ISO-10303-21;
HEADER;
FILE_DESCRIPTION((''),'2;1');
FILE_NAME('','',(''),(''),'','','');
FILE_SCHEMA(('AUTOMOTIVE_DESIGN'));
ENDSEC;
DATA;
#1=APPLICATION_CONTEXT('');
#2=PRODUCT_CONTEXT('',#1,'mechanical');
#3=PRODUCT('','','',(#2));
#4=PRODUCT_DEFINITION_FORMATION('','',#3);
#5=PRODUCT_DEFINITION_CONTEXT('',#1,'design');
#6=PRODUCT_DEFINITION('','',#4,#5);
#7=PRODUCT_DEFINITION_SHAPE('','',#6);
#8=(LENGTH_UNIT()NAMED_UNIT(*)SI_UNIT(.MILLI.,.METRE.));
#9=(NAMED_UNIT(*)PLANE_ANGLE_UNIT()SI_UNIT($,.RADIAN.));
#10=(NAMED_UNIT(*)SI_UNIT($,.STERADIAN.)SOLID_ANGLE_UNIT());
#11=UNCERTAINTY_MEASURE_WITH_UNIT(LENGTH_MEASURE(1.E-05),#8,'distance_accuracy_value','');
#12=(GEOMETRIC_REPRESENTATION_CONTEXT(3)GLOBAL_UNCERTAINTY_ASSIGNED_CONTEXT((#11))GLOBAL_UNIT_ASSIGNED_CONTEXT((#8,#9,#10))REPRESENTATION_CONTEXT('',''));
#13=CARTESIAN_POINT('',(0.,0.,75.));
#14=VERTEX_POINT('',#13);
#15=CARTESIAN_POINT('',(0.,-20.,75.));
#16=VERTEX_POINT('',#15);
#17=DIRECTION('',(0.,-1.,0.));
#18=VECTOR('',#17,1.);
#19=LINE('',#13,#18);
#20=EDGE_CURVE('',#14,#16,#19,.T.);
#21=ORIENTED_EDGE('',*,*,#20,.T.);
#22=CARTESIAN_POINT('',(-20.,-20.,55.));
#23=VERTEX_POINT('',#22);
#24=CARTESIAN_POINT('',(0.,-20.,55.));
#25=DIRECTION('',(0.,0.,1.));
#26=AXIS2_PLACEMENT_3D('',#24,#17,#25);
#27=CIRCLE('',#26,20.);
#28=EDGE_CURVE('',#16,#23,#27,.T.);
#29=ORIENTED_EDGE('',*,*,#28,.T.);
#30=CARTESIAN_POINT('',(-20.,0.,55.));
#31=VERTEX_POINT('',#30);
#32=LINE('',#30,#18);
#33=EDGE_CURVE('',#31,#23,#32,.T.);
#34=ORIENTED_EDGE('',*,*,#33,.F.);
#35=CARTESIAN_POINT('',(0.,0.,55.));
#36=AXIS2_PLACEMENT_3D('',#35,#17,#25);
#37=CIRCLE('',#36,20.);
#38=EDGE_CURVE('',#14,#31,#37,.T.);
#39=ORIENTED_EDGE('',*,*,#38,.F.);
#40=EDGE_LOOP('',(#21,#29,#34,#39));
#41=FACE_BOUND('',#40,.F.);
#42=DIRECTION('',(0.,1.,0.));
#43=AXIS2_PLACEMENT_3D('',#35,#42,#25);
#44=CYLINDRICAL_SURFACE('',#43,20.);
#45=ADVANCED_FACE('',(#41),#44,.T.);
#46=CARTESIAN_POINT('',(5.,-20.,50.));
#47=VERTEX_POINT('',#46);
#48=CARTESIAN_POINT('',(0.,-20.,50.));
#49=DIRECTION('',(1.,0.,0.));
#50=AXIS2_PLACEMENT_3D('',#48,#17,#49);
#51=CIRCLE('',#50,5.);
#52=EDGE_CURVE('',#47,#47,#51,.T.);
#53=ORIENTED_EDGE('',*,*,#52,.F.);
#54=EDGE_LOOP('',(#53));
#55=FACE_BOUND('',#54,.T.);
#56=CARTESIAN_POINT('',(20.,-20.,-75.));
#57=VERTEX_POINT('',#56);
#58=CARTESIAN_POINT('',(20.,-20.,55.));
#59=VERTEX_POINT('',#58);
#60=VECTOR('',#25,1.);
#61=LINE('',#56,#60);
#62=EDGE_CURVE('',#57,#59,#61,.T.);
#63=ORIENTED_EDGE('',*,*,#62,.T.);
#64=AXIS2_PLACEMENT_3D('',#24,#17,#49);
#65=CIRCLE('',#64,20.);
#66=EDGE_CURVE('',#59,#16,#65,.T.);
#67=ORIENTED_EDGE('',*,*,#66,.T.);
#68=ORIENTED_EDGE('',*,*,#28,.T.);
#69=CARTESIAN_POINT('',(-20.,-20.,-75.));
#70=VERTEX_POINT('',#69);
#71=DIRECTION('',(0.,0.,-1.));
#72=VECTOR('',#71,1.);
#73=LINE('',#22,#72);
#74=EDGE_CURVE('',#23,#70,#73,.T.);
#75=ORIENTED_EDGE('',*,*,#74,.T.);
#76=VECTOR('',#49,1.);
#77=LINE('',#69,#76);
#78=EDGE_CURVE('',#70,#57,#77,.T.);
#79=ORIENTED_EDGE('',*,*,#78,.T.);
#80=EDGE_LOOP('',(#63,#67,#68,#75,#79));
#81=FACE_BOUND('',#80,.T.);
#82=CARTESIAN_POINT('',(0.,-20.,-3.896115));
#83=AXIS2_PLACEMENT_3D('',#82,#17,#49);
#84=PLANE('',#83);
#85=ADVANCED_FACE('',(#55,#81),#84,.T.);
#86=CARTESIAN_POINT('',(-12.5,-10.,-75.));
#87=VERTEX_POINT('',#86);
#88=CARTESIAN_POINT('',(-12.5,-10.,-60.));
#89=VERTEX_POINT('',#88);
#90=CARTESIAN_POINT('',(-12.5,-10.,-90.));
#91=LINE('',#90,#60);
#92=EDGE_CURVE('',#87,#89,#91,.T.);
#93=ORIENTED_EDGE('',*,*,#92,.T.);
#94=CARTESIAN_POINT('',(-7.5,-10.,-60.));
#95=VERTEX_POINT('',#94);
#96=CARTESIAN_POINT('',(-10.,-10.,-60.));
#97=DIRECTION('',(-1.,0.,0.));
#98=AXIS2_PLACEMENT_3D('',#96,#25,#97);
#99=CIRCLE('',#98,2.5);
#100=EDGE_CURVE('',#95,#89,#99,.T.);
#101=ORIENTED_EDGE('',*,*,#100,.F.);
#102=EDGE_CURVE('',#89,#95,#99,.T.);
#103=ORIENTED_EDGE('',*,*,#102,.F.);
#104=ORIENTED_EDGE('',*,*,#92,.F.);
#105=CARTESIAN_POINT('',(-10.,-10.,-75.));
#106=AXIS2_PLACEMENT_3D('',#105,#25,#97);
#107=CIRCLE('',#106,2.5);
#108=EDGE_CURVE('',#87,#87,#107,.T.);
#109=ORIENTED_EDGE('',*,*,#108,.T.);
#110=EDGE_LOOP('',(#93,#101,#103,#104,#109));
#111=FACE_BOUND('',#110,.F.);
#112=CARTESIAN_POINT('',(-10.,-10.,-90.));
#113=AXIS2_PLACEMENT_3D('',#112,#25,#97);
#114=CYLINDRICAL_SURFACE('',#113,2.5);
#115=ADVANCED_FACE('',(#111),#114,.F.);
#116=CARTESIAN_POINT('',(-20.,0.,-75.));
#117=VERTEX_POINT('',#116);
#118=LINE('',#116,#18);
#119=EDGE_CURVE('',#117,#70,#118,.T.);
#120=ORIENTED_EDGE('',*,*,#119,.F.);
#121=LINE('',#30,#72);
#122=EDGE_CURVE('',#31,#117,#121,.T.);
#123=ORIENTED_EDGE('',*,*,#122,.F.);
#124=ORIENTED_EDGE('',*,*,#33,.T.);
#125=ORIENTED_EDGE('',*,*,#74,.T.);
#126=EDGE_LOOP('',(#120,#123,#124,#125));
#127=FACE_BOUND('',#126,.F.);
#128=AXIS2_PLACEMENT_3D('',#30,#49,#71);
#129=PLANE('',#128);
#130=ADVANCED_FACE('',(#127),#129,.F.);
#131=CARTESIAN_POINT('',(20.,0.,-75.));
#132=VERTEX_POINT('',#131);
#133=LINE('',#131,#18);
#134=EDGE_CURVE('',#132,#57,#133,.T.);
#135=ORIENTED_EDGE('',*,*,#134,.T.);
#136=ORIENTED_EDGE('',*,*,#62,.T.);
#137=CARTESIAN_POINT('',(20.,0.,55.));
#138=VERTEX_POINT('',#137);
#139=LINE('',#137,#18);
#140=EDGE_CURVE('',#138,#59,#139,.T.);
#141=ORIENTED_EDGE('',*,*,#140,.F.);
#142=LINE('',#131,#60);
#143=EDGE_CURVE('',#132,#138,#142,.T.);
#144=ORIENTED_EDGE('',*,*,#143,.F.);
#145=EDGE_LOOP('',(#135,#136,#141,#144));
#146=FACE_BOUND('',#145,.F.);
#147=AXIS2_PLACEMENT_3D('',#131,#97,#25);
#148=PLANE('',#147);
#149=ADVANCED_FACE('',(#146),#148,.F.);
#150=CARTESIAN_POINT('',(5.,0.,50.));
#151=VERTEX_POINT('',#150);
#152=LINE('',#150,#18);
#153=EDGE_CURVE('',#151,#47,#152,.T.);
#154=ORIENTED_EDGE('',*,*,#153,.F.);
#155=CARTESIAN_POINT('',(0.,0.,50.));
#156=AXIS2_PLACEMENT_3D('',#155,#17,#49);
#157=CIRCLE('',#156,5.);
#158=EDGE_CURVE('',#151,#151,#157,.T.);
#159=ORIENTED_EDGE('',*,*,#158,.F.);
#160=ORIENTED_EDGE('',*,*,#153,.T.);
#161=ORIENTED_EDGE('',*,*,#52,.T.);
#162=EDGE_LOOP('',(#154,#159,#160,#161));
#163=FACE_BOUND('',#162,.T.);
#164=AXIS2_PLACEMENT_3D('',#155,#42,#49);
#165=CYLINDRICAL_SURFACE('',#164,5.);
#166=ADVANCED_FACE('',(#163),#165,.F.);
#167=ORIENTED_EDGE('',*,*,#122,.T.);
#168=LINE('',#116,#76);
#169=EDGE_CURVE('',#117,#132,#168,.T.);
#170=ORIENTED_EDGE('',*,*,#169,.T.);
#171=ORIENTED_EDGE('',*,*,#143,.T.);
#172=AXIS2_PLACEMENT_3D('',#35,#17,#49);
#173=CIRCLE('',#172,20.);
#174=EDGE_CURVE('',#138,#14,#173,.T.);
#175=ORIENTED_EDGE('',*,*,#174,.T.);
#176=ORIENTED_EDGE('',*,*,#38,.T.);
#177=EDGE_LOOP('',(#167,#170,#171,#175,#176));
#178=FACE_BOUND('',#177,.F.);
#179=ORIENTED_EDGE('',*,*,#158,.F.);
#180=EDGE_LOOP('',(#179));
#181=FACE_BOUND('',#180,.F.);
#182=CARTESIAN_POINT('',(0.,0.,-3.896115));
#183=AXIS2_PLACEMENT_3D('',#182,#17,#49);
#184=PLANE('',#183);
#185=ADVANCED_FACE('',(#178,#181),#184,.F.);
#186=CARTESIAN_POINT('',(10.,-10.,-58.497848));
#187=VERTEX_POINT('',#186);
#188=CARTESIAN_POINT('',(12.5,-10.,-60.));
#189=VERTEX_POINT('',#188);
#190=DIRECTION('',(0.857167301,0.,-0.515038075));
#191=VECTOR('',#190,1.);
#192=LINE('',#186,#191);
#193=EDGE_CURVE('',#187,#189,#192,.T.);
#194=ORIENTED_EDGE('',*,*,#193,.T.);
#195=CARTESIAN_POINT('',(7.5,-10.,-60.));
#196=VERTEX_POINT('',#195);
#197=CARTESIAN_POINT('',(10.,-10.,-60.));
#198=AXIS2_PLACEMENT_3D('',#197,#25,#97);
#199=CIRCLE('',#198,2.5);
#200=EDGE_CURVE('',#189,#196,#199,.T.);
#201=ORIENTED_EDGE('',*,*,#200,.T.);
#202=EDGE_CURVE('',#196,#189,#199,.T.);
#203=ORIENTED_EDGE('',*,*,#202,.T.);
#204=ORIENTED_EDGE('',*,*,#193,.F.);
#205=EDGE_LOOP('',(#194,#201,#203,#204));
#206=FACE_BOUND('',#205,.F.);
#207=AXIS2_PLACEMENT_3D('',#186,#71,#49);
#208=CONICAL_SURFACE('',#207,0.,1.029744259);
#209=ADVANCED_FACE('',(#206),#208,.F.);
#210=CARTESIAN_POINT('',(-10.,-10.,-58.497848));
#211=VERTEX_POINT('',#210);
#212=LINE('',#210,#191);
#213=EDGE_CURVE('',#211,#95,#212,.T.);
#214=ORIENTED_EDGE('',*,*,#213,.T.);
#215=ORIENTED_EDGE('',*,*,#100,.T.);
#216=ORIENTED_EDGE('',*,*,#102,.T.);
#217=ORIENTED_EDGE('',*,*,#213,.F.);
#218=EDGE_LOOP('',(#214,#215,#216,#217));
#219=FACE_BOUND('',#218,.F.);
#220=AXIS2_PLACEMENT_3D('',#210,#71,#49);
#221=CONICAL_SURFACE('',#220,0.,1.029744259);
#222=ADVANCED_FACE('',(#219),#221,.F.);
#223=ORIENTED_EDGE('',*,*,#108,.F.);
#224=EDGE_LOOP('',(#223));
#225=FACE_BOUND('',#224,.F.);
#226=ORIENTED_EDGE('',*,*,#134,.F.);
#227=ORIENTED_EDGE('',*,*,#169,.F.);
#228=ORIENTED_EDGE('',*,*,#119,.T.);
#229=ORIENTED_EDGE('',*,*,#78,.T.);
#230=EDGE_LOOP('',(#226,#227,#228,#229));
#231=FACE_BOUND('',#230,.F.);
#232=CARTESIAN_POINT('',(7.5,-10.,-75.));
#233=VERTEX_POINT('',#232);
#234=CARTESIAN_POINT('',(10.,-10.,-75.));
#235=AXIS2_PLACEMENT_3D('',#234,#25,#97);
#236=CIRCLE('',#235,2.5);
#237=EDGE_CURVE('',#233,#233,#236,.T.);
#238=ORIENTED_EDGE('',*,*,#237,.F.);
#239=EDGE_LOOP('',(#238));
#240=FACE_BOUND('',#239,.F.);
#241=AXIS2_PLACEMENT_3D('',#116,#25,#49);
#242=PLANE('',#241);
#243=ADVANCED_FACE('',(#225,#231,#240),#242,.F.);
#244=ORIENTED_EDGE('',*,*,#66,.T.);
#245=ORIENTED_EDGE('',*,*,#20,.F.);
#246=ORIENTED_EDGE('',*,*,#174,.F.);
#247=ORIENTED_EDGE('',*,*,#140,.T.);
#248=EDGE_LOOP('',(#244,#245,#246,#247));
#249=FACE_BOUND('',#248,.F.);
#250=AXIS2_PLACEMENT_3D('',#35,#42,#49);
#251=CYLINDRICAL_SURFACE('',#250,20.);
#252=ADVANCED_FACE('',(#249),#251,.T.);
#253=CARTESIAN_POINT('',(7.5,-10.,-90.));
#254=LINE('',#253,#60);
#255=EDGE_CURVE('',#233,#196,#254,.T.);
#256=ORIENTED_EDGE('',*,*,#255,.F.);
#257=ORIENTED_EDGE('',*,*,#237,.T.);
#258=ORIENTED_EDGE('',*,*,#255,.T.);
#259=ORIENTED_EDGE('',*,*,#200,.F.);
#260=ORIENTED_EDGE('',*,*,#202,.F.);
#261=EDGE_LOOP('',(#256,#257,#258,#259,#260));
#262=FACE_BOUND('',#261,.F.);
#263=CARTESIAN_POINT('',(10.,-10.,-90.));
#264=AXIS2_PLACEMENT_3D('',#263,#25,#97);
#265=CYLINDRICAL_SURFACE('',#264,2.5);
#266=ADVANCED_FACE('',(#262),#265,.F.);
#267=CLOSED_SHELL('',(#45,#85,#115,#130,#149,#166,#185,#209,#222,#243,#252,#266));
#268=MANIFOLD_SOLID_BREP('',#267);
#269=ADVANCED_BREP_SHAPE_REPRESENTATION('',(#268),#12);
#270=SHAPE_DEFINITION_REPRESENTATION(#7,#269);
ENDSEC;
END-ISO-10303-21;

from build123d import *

# Parameters (mm, degrees)
F0_R     = 5
F1_DEPTH = 20
F3_D     = 5
F3_DEPTH = 15
F3_TIP   = 1.5021515476


with BuildPart() as f1:
    # F0 (on Front) → F1 (new body)
    with BuildSketch(Plane.XZ):
        with BuildLine():
            Line((-20, -75), (20, -75))
            Line((20, -75), (20, 55))
            ThreePointArc((20, 55), (14.1421356237, 69.1421356237), (0, 75))
            ThreePointArc((0, 75), (-14.1421356237, 69.1421356237), (-20, 55))
            Line((-20, 55), (-20, -75))
        make_face()
        with Locations((0, 50)):
            Circle(F0_R, mode=Mode.SUBTRACT)
    extrude(amount=F1_DEPTH)

    # F3
    with Locations(Plane(origin=(0, 0, -75), x_dir=(1, 0, 0), z_dir=(0, 0, -1))):
        with Locations((-10, 10), (10, 10)):
            Hole(F3_D / 2, depth=F3_DEPTH)
            with Locations((0, 0, -(F3_DEPTH + F3_TIP / 2))):  # 118° drill point
                Cone(0, F3_D / 2, F3_TIP, mode=Mode.SUBTRACT)


solid = f1.part
